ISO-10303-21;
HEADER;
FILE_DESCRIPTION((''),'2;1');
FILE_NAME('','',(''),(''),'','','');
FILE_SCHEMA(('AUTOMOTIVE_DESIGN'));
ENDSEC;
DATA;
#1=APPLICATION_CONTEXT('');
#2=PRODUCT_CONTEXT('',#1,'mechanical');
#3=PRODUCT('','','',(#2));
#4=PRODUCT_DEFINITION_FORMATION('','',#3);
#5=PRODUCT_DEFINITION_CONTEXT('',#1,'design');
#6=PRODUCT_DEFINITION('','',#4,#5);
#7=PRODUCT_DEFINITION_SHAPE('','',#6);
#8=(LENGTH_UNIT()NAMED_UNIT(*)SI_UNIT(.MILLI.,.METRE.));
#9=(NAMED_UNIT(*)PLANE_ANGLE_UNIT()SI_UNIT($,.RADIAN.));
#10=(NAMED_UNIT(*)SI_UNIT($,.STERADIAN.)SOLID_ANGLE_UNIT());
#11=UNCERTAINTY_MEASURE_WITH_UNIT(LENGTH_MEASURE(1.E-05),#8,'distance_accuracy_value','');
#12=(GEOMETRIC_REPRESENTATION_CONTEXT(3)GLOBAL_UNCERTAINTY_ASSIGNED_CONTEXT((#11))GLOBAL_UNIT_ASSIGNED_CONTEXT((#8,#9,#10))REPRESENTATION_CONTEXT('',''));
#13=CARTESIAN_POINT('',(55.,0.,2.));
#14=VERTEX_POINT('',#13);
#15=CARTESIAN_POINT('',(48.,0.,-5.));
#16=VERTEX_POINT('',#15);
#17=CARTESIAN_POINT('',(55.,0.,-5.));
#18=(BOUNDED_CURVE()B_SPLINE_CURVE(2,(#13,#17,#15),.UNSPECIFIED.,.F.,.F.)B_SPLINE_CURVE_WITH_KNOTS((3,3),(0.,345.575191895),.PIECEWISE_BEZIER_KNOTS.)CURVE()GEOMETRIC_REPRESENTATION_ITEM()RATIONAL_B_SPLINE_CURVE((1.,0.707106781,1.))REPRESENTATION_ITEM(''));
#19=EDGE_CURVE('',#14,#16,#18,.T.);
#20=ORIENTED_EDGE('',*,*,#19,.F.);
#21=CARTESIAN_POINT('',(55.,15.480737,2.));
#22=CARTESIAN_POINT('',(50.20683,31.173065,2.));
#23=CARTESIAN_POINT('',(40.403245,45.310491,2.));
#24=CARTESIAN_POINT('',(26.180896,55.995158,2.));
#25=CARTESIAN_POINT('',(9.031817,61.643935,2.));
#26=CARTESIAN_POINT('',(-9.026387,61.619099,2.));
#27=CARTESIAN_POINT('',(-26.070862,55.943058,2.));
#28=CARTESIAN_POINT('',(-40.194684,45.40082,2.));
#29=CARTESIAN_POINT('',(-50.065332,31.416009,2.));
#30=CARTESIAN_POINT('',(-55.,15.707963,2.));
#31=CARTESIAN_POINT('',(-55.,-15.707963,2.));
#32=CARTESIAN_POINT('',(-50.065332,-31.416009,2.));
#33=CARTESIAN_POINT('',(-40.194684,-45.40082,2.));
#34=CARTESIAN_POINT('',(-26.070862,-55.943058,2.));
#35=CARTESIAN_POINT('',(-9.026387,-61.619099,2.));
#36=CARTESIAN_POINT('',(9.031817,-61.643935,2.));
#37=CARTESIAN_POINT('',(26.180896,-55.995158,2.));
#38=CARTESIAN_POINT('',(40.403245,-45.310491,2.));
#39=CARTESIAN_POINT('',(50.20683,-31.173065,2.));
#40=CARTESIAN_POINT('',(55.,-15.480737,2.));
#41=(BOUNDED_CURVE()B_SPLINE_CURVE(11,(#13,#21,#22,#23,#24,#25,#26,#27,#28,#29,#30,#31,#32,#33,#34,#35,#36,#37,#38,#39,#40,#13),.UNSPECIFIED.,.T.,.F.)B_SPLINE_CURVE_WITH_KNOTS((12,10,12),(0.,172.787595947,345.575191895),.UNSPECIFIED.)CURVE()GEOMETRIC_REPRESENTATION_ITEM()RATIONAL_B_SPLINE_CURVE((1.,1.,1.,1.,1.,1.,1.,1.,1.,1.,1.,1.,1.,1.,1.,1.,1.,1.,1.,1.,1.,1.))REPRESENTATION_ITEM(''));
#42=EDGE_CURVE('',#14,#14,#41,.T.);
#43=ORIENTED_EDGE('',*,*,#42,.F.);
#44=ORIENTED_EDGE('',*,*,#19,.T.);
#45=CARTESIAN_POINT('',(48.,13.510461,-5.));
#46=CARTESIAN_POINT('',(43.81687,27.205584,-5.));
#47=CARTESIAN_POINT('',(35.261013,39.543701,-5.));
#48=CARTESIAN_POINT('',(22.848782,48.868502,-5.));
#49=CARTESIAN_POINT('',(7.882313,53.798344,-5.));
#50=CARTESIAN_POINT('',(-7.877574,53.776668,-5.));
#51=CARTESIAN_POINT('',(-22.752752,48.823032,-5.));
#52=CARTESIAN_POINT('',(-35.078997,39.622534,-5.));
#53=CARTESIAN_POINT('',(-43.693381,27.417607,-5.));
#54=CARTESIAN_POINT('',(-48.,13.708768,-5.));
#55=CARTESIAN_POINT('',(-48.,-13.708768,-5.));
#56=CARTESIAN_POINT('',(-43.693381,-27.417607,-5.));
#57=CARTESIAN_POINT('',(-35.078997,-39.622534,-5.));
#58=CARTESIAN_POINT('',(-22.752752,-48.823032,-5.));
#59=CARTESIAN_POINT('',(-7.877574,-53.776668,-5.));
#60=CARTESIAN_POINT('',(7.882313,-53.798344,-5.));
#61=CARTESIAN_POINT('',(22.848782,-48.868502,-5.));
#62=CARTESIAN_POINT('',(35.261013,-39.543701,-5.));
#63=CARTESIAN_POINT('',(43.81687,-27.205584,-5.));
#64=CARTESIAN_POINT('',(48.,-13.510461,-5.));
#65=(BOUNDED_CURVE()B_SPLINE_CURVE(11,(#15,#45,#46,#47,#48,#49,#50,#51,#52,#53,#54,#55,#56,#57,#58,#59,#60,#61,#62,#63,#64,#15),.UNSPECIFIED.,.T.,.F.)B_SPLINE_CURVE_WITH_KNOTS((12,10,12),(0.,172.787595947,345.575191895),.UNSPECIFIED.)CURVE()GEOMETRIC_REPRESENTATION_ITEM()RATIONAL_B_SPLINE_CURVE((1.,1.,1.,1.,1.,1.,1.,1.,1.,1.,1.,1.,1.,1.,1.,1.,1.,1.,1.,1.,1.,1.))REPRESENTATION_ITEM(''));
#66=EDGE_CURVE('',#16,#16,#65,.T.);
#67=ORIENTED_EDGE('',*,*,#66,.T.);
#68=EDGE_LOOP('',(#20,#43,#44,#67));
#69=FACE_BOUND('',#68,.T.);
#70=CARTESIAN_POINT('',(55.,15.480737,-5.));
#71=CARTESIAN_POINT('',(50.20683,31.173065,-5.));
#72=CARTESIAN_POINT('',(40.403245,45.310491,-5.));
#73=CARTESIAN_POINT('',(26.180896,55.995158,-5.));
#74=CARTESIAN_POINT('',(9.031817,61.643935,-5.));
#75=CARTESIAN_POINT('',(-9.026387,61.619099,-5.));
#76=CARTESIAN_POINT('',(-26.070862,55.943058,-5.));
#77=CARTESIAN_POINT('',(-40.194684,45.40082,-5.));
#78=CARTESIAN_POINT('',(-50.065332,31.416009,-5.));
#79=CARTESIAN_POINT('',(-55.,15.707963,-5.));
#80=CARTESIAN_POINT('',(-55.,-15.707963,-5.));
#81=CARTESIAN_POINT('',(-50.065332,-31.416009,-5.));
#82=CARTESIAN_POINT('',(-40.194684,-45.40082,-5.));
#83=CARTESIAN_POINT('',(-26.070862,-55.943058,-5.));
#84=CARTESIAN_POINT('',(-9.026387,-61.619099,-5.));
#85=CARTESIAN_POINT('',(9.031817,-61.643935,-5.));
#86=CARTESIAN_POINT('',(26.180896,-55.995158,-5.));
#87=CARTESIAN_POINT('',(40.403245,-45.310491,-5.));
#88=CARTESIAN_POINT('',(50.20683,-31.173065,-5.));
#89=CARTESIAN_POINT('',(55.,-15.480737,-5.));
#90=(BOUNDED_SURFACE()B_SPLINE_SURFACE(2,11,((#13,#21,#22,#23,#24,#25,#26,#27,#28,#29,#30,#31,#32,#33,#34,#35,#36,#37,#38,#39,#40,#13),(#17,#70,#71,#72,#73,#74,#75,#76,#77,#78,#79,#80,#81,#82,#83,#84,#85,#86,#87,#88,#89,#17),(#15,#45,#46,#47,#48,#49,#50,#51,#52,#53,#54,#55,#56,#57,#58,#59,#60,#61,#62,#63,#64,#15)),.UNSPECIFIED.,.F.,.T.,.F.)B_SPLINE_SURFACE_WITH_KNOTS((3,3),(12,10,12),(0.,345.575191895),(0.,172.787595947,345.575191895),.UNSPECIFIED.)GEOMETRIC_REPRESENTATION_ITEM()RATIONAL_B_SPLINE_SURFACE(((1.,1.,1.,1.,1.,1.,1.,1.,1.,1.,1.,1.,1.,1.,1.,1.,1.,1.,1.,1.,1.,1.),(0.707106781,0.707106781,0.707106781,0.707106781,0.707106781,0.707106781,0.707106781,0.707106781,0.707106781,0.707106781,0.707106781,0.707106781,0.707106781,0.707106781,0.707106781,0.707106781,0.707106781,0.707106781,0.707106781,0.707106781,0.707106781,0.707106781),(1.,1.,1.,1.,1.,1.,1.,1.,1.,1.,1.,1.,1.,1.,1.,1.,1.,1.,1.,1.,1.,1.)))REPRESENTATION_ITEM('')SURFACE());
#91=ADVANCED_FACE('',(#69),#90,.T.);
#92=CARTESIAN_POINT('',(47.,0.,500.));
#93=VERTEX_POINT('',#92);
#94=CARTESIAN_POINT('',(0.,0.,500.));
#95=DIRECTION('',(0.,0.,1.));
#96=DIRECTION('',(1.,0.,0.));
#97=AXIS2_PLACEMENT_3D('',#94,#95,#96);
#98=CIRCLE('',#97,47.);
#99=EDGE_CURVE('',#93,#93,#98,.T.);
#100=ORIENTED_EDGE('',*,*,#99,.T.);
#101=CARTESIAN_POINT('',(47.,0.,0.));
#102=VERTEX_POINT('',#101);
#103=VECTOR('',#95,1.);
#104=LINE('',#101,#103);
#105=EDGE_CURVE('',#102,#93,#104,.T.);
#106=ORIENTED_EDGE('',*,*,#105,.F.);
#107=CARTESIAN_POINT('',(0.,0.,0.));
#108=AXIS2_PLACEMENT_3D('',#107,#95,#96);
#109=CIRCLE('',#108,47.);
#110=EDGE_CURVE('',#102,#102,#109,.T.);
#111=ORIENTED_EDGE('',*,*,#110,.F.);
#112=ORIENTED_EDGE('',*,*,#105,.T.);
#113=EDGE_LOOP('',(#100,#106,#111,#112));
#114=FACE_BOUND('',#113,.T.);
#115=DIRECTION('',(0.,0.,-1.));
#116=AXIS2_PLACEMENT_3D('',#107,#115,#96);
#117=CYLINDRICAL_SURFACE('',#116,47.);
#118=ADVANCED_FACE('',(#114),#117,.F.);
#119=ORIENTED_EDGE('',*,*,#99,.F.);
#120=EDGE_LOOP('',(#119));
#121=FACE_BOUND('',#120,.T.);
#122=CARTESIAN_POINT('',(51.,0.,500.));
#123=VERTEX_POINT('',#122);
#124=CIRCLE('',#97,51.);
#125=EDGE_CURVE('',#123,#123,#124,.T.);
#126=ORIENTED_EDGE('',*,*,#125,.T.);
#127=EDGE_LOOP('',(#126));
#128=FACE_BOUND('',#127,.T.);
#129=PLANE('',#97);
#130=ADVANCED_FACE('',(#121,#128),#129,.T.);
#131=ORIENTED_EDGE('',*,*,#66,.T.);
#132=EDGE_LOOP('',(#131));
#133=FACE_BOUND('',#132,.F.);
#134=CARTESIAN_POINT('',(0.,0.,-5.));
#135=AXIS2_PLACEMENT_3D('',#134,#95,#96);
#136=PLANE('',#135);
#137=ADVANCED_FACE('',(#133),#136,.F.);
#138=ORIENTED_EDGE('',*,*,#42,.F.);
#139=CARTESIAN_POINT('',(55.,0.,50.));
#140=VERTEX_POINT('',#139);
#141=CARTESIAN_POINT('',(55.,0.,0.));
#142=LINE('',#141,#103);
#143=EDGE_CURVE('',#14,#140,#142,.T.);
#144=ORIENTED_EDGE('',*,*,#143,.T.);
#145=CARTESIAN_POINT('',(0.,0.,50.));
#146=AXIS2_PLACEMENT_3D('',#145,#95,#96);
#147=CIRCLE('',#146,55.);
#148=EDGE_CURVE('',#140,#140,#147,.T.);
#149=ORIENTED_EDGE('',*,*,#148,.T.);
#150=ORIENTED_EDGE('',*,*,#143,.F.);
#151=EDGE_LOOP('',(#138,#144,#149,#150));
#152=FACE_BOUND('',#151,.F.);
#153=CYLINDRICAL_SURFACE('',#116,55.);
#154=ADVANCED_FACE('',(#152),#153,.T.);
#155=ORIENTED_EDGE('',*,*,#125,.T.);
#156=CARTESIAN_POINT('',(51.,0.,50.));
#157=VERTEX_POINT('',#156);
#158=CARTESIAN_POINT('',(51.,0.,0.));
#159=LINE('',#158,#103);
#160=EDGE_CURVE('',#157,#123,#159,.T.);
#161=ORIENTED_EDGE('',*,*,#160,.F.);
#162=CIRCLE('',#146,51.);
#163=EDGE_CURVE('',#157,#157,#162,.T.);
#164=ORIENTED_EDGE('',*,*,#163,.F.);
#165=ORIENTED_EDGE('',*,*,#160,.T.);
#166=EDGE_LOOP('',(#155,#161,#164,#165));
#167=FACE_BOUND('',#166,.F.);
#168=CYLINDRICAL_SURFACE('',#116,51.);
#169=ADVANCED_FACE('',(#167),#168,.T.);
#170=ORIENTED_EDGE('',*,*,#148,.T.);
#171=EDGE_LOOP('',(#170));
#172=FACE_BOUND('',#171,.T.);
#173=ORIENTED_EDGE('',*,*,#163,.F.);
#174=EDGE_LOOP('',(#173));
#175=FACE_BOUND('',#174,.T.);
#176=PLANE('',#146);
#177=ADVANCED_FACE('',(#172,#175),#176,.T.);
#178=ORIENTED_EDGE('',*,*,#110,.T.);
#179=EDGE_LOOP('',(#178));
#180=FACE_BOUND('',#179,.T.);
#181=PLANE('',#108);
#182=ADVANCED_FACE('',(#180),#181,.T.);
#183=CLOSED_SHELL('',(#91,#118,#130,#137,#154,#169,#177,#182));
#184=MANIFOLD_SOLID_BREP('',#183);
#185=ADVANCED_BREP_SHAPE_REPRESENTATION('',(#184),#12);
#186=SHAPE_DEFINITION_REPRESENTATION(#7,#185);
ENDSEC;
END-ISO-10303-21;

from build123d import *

# Parameters (mm, degrees)
F0_R     = 55
F0_R_2   = 51
F0_R_3   = 47
F1_DEPTH = 5
F2_DEPTH = 500
F3_DEPTH = 50
F4_R     = 7


with BuildPart() as f1:
    # F0 (on Top) → F1 (new body)
    with BuildSketch(Plane.XY):
        Circle(F0_R)
        Circle(F0_R_2, mode=Mode.SUBTRACT)
        Circle(F0_R_2)
        Circle(F0_R_3, mode=Mode.SUBTRACT)
        Circle(F0_R_3)
    extrude(amount=-F1_DEPTH)

    # F0 (on Top) → F2 (join)
    with BuildSketch(Plane.XY):
        Circle(F0_R_2)
        Circle(F0_R_3, mode=Mode.SUBTRACT)
    extrude(amount=F2_DEPTH)

    # F0 (on Top) → F3 (join)
    with BuildSketch(Plane.XY):
        Circle(F0_R)
        Circle(F0_R_2, mode=Mode.SUBTRACT)
    extrude(amount=F3_DEPTH)

    # F4
    f4_edges = [f1.edges().sort_by_distance(p)[0] for p in [
        (-55, 0, -5),
    ]]
    fillet(f4_edges, radius=F4_R)


solid = f1.part
